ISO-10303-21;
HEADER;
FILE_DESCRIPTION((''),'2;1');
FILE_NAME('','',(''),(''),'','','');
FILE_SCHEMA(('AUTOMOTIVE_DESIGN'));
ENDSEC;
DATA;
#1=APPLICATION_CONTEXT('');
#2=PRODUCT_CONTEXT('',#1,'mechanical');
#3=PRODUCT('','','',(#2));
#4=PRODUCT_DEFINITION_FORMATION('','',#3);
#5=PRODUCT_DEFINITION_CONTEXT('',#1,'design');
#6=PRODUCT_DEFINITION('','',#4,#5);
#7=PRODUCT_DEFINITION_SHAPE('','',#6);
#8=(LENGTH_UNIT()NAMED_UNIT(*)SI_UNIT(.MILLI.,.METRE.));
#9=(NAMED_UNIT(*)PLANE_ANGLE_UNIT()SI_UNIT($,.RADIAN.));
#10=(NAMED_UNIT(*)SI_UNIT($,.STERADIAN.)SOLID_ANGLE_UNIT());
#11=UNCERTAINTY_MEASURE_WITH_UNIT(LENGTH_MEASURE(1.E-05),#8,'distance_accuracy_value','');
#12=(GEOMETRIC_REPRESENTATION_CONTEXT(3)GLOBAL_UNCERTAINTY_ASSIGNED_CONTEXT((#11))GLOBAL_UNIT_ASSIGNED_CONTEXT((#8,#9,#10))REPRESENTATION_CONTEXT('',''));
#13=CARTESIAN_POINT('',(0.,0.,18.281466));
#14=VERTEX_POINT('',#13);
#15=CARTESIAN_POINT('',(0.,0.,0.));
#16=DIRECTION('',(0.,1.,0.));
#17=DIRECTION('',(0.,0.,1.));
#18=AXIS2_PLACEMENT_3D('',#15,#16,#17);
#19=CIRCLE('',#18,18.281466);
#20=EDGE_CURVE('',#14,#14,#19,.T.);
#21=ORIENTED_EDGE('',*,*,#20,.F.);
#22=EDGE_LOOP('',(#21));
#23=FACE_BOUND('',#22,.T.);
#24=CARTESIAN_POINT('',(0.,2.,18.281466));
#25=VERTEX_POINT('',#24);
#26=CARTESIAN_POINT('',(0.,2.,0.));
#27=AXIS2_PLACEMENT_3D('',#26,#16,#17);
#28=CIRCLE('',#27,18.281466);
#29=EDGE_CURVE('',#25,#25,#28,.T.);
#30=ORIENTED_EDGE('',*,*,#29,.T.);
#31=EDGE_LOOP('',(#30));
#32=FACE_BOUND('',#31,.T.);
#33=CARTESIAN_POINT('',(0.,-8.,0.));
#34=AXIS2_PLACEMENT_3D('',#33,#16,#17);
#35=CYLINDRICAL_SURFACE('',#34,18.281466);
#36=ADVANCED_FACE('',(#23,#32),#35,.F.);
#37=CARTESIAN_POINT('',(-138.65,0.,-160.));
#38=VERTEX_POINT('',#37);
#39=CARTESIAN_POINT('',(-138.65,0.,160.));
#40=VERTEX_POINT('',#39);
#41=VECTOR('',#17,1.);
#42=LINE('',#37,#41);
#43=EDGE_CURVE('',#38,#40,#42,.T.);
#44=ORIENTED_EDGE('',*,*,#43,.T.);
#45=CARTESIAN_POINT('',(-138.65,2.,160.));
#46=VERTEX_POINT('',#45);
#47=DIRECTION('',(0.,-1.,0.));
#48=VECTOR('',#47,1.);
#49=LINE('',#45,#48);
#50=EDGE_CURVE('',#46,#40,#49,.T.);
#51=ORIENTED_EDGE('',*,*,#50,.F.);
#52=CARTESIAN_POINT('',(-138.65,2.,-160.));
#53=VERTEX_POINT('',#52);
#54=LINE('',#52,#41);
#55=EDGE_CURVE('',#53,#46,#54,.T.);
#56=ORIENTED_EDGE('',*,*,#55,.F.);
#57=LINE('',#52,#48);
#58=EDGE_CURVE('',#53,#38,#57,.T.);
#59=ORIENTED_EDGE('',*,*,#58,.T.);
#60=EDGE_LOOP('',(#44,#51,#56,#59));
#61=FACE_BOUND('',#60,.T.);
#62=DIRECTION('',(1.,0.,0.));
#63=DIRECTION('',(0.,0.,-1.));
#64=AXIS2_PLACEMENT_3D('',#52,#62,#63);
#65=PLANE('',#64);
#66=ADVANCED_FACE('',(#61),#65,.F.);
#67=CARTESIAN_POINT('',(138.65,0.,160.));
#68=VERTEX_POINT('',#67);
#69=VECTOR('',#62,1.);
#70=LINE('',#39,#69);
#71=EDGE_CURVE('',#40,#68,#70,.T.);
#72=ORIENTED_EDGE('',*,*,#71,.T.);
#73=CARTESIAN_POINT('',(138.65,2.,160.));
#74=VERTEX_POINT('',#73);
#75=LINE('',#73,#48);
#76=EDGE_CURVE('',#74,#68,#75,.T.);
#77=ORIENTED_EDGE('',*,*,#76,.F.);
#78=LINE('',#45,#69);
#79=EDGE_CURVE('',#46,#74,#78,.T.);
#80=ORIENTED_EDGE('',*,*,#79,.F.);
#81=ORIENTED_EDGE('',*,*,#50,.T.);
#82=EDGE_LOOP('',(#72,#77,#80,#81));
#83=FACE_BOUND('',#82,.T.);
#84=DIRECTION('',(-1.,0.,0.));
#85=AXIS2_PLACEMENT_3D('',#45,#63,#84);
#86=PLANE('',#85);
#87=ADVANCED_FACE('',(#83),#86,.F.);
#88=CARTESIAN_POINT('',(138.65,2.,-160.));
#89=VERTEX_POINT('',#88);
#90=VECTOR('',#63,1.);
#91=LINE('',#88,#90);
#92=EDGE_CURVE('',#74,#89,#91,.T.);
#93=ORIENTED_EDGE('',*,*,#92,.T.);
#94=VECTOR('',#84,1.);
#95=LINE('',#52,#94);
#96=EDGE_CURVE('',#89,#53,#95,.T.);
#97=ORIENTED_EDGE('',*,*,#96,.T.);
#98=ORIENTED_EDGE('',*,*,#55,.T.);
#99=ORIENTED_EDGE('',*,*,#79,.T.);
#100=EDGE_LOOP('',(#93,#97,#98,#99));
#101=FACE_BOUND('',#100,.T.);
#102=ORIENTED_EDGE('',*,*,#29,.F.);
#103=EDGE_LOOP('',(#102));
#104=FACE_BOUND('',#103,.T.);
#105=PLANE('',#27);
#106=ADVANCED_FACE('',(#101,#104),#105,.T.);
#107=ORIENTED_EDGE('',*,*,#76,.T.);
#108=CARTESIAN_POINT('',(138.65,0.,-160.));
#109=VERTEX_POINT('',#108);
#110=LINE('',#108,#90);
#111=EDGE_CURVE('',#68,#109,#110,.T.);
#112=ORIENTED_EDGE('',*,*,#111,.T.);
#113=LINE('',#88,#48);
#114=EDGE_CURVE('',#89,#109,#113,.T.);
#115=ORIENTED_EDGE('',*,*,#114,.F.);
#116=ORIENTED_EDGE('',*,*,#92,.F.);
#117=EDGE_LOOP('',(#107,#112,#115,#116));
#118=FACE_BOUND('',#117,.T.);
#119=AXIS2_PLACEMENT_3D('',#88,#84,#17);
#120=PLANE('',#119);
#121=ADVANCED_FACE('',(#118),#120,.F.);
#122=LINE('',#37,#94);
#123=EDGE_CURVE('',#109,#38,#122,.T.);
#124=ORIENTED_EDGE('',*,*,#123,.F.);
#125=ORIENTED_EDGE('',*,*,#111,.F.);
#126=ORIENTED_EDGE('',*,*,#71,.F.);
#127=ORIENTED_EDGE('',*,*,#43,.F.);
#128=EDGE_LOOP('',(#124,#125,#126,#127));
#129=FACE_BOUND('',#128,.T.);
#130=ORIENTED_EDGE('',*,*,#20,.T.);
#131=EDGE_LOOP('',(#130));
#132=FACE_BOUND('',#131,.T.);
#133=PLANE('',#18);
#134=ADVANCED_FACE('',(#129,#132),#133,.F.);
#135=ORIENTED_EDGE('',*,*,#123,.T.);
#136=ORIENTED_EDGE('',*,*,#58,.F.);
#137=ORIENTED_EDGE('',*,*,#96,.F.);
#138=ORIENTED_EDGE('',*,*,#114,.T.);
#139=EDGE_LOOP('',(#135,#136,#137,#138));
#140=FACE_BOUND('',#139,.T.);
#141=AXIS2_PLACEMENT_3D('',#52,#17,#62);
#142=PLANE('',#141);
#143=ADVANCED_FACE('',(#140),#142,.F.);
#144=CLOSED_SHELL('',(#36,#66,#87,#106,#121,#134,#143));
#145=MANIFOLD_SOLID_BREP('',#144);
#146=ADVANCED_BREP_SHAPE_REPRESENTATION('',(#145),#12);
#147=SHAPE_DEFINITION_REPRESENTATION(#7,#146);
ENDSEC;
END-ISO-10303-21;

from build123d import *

# Parameters (mm, degrees)
SKETCH1_W          = 277.3
SKETCH1_H          = 320
TOP_DEPTH          = 2
SKETCH2_R          = 18.281466349
CUT_EXTRUDE1_DEPTH = 10


with BuildPart() as part:
    # Sketch1 → Top (new body)
    with BuildSketch(Plane(origin=(0, 0, 0), x_dir=(1, 0, 0), z_dir=(0, 1, 0))):
        Rectangle(SKETCH1_W, SKETCH1_H)
    extrude(amount=TOP_DEPTH)

    # Sketch2 → Cut-Extrude1 (cut)
    with BuildSketch(Plane(origin=(0, 2, 0), x_dir=(1, 0, 0), z_dir=(0, 1, 0))):
        with Locations(Location((0, 0, 0), (0, 0, 270))):
            Circle(SKETCH2_R)
    extrude(amount=-CUT_EXTRUDE1_DEPTH, mode=Mode.SUBTRACT)


solid = part.part
